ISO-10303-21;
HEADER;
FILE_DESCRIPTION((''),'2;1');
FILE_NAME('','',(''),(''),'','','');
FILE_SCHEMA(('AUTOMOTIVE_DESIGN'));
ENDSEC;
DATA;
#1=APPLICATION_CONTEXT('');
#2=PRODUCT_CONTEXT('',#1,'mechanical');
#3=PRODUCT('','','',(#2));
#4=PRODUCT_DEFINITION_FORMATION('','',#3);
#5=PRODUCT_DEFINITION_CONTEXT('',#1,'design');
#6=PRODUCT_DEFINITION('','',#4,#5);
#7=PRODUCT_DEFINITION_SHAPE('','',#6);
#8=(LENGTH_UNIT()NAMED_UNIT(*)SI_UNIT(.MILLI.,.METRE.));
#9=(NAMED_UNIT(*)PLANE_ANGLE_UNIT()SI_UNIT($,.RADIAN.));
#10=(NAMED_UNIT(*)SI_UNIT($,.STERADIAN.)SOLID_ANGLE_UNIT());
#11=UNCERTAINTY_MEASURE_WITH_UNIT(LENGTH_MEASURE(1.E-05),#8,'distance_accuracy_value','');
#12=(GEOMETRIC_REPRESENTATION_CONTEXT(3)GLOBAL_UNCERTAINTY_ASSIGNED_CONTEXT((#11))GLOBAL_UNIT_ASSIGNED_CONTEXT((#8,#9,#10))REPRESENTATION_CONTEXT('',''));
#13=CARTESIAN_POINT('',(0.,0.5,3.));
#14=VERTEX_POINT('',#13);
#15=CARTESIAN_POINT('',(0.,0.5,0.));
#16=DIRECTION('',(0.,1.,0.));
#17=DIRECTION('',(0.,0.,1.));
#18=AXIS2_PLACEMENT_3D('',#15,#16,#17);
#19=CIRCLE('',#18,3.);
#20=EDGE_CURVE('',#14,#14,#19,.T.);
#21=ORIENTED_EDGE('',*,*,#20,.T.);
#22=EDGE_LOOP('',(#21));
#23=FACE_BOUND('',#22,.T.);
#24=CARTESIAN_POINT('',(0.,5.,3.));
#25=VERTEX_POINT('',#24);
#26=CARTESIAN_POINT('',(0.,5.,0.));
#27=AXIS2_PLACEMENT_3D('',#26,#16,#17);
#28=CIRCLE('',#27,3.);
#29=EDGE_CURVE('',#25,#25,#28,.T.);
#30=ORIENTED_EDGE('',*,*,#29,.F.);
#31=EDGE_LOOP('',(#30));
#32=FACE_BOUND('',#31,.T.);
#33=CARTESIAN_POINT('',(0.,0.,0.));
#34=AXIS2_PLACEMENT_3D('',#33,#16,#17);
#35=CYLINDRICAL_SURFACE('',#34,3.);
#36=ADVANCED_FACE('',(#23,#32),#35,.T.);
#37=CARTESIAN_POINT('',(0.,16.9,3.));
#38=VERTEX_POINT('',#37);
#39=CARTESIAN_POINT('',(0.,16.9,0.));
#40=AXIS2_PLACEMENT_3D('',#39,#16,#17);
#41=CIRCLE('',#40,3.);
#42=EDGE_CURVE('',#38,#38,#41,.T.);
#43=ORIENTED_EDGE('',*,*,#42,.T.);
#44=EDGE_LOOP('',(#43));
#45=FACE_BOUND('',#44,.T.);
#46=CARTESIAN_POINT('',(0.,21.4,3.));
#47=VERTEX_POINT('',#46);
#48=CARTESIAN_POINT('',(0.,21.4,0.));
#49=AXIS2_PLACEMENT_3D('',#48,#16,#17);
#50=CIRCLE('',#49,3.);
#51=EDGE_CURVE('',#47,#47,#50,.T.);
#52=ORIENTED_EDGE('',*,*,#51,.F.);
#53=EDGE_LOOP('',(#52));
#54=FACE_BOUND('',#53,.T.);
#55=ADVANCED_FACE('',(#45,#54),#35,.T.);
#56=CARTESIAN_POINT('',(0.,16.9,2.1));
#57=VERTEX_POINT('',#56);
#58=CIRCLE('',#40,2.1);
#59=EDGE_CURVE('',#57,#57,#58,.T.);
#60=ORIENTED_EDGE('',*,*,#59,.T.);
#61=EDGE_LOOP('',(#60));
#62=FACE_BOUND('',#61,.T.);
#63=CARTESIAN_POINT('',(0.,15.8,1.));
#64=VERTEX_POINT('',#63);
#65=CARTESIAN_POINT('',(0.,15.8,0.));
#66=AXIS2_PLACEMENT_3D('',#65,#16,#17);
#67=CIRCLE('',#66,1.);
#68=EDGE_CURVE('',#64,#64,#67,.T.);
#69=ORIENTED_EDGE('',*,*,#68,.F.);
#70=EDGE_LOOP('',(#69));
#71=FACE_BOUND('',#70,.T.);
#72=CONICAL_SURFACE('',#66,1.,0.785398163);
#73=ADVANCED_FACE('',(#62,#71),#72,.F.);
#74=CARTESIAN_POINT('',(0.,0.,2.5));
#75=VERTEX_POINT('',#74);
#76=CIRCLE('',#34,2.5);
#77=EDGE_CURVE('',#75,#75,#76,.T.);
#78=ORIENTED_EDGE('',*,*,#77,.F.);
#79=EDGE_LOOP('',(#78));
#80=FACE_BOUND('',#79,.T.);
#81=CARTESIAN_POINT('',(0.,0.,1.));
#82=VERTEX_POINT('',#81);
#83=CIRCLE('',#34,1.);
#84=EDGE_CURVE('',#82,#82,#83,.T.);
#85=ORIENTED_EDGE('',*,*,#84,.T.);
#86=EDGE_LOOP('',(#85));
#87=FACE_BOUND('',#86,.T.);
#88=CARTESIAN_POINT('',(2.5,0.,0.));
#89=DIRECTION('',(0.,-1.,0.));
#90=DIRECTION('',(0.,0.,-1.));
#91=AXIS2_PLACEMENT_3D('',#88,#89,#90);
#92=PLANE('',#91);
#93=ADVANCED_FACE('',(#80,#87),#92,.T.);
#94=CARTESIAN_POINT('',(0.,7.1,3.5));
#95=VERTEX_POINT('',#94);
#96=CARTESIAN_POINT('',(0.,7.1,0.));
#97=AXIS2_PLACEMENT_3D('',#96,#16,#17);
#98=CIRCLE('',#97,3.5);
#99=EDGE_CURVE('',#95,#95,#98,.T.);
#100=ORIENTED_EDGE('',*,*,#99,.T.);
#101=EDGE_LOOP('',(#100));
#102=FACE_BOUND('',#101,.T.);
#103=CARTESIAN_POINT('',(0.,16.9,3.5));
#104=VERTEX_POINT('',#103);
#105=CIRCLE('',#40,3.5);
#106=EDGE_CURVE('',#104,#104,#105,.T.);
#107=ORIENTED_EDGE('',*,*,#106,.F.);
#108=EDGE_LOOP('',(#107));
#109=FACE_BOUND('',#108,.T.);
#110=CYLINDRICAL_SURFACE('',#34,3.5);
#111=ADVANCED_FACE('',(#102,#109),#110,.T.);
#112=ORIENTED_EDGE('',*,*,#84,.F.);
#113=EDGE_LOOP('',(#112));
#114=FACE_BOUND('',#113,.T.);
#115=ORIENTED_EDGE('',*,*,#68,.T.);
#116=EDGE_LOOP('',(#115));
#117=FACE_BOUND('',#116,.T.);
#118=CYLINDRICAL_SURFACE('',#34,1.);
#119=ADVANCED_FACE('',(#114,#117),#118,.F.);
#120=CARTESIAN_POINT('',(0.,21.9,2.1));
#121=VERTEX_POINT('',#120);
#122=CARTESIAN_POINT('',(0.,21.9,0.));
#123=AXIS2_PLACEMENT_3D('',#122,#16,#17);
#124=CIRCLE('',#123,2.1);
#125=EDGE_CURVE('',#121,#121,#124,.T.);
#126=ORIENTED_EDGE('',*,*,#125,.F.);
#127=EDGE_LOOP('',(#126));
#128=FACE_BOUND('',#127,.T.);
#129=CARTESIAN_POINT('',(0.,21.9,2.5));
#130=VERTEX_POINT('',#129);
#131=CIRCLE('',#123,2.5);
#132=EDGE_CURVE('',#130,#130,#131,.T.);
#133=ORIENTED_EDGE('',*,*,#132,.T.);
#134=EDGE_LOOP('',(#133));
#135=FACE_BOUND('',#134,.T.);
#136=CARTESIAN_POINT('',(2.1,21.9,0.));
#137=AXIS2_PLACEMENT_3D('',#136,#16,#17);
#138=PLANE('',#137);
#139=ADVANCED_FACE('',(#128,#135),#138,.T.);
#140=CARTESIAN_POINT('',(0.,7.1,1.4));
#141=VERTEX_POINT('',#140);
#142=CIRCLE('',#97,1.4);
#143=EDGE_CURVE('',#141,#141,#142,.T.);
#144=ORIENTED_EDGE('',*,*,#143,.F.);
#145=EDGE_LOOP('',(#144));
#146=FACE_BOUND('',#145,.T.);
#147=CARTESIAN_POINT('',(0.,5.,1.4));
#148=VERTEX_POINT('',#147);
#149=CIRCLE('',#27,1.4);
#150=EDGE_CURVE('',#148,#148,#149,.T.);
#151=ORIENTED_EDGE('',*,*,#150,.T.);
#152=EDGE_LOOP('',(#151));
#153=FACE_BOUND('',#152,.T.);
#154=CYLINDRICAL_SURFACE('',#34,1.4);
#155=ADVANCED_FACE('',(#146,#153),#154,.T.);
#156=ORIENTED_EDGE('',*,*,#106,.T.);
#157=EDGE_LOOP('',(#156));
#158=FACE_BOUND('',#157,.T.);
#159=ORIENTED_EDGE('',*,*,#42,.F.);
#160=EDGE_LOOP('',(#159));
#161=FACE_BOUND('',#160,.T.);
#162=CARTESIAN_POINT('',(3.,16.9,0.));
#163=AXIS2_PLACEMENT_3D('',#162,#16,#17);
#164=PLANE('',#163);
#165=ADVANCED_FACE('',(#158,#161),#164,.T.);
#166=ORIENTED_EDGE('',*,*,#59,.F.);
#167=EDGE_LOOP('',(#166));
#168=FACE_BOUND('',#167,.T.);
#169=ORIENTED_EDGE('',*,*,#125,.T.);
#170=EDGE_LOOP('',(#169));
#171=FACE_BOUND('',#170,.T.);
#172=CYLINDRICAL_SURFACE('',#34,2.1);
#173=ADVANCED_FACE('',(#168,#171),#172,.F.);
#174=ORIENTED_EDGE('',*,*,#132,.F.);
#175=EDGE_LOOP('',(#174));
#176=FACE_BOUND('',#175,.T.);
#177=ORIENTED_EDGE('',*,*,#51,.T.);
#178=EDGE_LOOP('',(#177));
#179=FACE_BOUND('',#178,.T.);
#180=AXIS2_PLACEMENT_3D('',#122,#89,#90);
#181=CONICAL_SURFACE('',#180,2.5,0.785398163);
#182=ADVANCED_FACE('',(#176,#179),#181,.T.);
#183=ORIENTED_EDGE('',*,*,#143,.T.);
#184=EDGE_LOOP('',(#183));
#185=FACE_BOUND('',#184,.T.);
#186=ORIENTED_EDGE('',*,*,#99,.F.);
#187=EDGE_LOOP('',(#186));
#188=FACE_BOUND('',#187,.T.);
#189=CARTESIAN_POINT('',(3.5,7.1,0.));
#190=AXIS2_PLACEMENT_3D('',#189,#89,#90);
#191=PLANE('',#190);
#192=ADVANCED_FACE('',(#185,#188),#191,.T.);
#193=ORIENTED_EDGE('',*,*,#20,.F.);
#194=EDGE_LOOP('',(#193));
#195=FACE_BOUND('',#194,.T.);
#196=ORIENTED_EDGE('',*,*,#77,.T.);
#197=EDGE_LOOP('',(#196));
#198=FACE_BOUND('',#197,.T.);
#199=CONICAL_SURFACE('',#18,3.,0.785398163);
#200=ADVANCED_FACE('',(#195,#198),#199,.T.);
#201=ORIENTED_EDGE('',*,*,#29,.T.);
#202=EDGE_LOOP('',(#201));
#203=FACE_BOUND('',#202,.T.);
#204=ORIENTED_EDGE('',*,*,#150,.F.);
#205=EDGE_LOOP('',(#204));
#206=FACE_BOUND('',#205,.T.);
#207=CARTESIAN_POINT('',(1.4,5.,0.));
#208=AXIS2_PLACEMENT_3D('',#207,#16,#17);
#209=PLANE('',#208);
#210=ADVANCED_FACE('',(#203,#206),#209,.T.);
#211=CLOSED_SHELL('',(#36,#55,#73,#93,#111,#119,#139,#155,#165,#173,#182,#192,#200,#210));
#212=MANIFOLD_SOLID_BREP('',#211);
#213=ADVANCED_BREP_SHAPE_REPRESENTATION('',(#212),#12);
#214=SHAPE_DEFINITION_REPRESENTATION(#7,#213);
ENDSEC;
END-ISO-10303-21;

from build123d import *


with BuildPart() as part:
    # Sketch1 → Revolve1 (revolve)
    with BuildSketch(Plane(origin=(0, 0, 0), x_dir=(-1, 0, 0), z_dir=(0, 0, -1))):
        Polygon((-2.5, 0), (-1, 0), (-1, 15.8), (-2.1, 16.9), (-2.1, 21.9), (-2.5, 21.9), (-3, 21.4), (-3, 16.9), (-3.5, 16.9), (-3.5, 7.1), (-1.4, 7.1), (-1.4, 5), (-3, 5), (-3, 0.5), align=None)
    revolve(axis=Axis((0, 0, 0), (0, 1, 0)))


solid = part.part
